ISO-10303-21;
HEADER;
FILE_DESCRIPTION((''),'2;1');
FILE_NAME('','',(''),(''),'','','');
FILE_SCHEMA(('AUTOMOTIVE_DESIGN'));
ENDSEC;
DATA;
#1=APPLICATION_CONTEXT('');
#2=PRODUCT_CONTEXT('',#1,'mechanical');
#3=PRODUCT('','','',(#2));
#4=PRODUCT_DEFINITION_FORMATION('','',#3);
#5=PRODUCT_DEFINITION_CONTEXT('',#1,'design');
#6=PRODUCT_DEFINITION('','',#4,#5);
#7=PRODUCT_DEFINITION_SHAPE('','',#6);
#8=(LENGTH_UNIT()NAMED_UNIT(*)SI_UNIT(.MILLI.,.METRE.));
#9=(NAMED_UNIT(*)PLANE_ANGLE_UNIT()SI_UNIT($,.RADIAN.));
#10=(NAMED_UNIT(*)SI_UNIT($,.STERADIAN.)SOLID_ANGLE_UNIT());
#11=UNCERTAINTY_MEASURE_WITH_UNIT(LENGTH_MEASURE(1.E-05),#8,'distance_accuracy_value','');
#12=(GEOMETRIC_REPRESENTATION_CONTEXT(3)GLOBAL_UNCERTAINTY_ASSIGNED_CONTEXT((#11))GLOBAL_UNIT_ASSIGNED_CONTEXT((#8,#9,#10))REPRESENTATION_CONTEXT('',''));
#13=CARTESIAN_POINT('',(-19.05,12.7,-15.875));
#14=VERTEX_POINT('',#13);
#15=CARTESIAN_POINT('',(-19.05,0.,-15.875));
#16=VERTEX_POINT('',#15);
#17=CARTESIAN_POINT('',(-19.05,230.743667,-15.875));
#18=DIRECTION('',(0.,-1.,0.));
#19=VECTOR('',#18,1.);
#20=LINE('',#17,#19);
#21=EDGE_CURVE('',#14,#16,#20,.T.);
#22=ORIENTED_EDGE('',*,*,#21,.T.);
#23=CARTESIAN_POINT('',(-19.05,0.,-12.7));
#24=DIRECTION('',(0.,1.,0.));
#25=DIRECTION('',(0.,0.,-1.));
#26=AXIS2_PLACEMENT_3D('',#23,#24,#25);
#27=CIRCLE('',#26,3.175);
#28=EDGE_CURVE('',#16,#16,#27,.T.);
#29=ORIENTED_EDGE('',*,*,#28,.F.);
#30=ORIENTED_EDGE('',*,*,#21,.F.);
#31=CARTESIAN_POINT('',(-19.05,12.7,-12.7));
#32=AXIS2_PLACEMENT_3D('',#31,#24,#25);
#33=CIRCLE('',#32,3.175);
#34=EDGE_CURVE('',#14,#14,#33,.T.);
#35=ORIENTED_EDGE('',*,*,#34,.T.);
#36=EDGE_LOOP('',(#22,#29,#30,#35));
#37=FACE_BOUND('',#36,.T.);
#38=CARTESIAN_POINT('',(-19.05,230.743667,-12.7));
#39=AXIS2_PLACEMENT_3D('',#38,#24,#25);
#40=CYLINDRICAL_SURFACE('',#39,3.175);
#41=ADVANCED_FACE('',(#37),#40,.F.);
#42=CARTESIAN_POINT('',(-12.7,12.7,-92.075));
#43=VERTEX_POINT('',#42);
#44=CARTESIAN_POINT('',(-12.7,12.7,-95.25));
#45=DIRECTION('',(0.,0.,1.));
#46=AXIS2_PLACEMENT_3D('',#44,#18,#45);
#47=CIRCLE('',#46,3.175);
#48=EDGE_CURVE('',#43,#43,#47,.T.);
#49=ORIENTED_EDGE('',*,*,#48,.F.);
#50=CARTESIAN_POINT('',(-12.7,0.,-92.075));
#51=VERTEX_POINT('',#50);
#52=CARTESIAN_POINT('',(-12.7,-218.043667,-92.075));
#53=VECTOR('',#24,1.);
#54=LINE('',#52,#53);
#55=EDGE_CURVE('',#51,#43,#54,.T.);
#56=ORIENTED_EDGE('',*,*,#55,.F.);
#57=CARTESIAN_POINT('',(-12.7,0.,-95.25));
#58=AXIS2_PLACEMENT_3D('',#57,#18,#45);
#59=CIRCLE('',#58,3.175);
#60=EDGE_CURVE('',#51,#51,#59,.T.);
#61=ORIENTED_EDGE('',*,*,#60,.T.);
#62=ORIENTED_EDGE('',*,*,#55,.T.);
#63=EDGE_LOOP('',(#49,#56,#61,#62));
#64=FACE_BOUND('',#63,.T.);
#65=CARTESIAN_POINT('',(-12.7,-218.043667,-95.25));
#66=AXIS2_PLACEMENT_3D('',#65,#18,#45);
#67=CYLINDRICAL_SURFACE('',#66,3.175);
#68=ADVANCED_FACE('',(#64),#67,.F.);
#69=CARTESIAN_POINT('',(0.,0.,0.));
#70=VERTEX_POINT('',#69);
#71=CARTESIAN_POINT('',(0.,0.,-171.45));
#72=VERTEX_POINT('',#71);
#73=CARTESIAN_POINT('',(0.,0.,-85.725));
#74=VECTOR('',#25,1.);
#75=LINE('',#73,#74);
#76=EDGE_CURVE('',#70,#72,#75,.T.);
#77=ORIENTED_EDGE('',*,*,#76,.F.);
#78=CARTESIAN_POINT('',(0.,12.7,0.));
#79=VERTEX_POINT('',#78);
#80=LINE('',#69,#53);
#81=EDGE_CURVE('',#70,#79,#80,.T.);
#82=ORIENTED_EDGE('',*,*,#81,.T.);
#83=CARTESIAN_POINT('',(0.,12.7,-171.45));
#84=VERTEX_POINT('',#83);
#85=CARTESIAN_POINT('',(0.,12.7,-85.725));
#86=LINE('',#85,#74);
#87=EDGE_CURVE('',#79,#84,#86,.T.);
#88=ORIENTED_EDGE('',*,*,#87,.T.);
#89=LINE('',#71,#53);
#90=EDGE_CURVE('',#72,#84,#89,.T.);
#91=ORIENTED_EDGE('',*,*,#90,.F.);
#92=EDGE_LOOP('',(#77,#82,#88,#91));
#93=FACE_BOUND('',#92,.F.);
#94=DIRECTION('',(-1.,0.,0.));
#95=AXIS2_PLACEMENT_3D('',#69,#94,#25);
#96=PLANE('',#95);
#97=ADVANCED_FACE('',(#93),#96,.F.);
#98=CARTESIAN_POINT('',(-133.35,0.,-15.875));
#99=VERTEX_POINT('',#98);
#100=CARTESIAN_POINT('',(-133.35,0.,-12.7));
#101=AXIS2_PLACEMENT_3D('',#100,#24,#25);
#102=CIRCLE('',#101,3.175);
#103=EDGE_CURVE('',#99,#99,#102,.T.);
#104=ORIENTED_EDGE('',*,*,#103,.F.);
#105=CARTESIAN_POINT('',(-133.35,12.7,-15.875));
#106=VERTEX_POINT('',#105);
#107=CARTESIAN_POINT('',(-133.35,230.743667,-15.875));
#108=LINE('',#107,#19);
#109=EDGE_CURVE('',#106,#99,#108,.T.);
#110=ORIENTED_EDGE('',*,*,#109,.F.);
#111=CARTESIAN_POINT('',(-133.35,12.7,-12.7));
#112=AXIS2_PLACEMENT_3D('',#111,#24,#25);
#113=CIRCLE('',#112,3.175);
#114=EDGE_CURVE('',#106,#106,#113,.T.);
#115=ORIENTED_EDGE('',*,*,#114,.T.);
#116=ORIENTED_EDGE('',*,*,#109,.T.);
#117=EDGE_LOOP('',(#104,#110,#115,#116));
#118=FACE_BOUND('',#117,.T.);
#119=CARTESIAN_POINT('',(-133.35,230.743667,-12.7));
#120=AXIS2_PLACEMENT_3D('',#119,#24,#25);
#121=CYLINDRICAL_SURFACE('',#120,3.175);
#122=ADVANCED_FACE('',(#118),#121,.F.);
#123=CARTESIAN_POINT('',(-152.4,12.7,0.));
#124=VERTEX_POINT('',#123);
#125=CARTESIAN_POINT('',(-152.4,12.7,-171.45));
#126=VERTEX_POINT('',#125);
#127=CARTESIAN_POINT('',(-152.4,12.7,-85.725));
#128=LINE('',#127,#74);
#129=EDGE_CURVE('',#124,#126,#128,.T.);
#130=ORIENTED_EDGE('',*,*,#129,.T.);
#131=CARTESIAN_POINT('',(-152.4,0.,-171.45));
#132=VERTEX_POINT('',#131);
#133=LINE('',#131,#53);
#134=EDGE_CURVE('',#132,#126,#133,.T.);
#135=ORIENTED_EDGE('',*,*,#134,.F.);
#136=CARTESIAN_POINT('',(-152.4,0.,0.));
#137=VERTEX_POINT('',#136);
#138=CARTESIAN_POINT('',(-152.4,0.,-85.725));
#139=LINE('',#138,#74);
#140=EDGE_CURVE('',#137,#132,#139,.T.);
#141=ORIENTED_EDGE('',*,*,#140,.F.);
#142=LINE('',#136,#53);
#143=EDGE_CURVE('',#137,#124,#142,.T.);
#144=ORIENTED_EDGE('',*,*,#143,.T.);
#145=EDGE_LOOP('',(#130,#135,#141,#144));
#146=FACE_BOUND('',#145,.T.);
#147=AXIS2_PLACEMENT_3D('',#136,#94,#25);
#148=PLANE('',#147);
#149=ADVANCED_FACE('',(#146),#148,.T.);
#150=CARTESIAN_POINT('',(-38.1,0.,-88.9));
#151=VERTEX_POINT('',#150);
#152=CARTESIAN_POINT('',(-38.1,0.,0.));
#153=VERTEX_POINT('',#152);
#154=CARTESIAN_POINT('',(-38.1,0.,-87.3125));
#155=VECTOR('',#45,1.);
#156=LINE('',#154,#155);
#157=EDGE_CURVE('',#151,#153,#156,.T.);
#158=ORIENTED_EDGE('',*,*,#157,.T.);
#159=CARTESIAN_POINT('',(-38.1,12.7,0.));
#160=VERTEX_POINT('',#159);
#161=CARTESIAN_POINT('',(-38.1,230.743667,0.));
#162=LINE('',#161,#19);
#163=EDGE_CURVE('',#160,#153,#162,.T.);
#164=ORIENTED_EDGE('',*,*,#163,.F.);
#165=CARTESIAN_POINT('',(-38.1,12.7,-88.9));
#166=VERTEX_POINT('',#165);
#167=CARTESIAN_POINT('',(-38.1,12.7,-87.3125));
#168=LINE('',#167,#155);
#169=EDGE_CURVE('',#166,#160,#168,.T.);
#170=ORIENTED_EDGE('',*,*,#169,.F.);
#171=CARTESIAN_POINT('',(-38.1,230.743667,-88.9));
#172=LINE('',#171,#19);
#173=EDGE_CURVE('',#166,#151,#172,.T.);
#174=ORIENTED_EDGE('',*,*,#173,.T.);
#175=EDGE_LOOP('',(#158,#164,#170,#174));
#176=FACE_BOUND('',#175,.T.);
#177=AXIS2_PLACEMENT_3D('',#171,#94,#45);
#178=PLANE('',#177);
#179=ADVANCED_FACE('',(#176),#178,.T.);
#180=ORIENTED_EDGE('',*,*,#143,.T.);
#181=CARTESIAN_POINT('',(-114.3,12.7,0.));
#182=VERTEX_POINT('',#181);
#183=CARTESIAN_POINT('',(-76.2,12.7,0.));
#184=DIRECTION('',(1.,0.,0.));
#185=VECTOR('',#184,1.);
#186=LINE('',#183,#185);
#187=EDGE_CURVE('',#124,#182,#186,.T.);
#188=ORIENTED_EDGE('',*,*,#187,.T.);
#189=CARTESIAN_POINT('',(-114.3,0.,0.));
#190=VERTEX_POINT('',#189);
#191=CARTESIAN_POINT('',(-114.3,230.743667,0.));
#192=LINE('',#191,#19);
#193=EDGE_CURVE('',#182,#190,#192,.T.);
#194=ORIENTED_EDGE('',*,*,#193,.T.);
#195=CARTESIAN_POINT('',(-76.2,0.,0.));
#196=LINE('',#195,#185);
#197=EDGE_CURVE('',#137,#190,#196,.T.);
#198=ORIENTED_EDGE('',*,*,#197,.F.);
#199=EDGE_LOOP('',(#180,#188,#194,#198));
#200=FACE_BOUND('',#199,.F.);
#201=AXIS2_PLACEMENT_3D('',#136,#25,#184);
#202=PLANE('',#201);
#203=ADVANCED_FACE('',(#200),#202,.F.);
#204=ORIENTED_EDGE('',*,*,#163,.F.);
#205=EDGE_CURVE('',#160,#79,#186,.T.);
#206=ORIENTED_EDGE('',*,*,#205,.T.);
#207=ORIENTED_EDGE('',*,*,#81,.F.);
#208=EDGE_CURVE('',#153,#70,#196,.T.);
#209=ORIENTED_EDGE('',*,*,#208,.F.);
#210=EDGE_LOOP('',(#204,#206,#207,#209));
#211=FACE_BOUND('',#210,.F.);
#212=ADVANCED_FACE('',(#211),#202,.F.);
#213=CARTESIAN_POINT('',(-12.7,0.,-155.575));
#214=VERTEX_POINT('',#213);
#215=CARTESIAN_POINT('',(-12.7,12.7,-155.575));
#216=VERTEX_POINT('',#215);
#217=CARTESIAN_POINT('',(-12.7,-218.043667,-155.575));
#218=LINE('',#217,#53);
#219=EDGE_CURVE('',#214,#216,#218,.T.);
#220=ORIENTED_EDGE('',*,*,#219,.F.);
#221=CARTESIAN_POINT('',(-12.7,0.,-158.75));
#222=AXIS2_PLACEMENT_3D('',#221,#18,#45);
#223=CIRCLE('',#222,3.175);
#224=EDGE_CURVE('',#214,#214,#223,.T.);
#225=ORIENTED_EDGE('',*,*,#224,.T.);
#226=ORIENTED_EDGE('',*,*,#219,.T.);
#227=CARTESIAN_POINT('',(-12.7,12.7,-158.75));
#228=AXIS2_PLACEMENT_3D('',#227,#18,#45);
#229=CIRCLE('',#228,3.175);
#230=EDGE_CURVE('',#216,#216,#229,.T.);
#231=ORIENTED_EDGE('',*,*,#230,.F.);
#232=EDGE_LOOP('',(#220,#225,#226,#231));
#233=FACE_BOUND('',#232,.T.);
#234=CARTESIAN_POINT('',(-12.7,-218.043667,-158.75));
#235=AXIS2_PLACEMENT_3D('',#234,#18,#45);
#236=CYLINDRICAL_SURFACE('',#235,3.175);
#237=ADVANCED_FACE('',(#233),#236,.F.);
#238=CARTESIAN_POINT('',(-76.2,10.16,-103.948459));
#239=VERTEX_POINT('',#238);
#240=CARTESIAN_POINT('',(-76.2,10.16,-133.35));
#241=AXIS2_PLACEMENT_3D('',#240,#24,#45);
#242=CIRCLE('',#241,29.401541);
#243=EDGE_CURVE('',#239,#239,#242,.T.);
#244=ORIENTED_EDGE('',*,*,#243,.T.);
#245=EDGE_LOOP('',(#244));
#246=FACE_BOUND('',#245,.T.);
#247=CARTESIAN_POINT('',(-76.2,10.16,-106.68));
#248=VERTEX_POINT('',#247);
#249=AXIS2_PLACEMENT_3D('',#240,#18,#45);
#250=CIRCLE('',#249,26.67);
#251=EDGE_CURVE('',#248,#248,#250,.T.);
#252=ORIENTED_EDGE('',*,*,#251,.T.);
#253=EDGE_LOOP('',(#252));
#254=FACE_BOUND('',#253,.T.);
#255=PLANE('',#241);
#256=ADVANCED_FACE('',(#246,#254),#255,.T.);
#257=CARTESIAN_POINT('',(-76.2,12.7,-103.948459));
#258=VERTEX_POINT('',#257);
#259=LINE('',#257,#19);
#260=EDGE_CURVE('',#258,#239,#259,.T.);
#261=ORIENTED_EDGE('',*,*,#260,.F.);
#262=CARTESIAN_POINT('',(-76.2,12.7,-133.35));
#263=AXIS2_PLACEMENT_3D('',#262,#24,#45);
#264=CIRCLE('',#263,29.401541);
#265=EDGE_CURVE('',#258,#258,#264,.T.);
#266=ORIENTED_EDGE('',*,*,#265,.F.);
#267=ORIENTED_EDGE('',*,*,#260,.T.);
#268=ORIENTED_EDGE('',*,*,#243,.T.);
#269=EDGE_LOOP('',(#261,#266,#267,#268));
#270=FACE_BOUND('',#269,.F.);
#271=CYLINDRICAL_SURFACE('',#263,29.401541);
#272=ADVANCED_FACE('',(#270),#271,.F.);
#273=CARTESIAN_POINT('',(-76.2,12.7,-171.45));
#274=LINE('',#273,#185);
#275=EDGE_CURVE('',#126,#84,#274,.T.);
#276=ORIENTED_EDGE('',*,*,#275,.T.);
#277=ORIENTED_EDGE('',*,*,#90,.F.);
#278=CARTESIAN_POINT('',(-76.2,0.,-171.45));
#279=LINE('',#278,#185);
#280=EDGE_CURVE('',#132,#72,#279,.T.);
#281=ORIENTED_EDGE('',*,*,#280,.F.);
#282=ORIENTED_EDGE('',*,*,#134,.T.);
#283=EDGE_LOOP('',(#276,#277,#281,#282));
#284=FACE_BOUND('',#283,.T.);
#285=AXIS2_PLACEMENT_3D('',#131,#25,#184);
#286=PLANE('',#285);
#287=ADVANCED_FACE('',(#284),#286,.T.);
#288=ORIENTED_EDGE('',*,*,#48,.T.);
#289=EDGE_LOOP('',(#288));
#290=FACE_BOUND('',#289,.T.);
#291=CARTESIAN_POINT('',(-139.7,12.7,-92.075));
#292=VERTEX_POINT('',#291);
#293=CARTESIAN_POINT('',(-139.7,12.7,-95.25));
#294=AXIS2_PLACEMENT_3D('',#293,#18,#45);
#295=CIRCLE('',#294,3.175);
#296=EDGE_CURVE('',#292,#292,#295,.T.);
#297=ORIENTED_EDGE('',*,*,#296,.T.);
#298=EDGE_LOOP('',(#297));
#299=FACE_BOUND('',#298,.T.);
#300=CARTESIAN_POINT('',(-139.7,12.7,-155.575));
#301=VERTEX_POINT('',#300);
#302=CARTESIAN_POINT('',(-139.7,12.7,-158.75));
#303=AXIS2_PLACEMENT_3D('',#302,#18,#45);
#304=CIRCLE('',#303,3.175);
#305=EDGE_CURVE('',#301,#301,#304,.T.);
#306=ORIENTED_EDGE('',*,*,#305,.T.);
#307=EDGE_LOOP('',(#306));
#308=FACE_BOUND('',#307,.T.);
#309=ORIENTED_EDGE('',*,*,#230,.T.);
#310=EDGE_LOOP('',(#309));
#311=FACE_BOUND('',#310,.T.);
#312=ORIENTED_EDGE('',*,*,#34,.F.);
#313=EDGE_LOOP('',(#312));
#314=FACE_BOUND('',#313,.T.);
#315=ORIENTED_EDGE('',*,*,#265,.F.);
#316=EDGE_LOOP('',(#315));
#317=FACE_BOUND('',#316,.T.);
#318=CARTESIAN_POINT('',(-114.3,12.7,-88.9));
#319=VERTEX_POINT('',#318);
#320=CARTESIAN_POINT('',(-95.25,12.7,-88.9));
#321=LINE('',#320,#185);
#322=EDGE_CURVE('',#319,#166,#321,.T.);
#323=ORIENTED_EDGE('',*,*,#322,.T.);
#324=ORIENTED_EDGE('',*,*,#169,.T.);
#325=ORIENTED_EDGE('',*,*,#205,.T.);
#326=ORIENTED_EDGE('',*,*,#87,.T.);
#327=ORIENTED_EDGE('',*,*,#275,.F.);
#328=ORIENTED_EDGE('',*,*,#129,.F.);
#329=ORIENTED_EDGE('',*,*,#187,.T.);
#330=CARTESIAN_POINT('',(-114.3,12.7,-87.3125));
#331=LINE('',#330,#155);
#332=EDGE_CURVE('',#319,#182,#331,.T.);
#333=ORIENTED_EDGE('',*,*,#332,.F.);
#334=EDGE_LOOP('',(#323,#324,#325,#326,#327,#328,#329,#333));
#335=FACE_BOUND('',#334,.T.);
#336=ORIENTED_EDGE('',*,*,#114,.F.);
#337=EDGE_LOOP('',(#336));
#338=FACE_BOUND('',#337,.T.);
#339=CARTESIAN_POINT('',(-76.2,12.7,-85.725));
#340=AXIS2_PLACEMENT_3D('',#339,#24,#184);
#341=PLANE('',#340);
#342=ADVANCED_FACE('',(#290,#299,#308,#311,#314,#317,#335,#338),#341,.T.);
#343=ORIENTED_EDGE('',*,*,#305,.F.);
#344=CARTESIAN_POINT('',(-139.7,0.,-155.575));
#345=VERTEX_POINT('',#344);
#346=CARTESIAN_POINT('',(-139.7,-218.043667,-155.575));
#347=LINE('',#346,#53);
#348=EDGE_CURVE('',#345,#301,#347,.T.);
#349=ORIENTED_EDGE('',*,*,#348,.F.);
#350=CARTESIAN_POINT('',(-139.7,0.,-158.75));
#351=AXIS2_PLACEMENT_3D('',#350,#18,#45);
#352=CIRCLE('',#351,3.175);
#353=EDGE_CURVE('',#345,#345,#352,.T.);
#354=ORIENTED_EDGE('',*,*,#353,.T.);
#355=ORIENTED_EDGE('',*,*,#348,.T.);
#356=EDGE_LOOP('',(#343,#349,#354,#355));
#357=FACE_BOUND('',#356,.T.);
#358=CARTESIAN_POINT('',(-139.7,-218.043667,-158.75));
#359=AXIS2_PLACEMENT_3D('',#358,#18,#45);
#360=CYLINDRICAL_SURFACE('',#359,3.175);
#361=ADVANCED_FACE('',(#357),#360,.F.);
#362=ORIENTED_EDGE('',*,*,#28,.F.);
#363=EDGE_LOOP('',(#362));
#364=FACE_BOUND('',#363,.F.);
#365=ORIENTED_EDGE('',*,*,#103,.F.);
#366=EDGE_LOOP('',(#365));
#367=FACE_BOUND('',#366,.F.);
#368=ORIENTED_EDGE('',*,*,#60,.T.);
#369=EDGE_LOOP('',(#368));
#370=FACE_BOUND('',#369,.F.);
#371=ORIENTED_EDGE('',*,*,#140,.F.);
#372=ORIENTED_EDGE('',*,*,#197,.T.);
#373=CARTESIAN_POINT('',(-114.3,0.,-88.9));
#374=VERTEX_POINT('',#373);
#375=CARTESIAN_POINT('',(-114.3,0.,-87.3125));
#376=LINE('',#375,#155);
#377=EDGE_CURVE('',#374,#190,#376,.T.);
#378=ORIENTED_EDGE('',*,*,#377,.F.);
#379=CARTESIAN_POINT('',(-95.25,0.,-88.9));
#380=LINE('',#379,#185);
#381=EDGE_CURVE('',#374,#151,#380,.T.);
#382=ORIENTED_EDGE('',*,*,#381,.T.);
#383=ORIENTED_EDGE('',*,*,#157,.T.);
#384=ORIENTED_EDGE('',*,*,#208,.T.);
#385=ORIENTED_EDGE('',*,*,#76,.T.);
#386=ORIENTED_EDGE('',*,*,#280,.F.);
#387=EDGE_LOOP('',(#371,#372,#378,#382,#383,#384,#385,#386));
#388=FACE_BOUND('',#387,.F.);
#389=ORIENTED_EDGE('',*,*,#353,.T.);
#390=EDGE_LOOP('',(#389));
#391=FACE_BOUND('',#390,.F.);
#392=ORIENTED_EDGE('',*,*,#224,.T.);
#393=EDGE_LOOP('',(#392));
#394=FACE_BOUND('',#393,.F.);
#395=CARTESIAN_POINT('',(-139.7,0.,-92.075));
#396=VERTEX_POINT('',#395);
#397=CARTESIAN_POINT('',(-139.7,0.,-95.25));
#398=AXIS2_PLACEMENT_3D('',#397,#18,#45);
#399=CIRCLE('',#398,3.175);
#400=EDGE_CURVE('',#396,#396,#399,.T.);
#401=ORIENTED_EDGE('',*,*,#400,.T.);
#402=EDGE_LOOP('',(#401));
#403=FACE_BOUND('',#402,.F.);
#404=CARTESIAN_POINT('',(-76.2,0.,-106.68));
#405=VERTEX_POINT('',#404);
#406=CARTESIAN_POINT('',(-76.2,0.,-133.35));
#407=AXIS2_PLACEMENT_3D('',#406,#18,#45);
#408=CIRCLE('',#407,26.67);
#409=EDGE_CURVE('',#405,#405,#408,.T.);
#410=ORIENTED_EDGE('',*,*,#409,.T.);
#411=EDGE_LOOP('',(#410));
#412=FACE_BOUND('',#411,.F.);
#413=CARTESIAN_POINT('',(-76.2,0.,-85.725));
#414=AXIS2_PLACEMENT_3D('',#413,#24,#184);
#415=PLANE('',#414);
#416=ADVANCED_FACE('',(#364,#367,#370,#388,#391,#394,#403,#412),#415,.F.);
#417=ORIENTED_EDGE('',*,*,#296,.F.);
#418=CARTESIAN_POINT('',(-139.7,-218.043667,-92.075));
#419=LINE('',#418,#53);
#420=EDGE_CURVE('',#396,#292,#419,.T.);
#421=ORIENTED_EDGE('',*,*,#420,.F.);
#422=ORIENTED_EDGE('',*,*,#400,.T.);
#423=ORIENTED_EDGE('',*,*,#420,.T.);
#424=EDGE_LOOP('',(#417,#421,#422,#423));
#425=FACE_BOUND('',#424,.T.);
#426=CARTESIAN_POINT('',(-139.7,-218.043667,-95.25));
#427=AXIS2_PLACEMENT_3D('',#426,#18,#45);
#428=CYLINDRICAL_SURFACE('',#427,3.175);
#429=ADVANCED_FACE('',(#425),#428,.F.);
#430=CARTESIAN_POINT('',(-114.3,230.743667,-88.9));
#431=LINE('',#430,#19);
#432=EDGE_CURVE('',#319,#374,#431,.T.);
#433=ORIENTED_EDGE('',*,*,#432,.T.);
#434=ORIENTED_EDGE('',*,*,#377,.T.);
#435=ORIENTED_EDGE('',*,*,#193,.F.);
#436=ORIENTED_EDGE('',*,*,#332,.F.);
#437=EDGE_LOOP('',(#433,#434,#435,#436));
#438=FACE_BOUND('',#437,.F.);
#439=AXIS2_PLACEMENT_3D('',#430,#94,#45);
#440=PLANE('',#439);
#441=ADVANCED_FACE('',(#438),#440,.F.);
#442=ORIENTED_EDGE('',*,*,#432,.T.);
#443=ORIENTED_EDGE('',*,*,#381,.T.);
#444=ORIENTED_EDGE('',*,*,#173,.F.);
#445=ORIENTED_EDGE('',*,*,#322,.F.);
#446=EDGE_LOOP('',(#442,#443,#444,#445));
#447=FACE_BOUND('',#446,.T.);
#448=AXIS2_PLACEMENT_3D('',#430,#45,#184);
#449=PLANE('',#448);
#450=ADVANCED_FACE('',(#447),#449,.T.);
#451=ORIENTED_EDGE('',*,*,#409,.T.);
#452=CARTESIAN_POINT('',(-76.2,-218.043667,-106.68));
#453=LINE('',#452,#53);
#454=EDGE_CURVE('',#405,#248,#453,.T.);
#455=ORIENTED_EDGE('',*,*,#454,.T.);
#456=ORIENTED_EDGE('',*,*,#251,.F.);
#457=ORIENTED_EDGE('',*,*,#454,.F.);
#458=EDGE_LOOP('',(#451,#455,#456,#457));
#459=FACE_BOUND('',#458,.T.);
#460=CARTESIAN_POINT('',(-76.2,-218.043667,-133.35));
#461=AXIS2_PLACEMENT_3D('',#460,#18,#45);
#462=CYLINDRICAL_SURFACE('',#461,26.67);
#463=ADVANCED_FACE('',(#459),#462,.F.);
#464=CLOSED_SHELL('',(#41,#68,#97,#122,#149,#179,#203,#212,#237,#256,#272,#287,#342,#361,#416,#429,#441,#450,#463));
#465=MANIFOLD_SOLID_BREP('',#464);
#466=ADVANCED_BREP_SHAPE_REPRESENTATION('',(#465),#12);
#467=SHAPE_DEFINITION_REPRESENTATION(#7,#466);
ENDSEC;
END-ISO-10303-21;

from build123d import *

# Parameters (mm, degrees)
SKETCH1_W               = 152.4
SKETCH1_H               = 171.45
BOSS_EXTRUDE1_DEPTH     = 12.7
CUT_EXTRUDE1_DEPTH      = 230.743666942
CUT_EXTRUDE1_DEPTH_BACK = 230.743666942
SKETCH2_R               = 26.67
CUT_EXTRUDE2_DEPTH      = 230.743666942
CUT_EXTRUDE2_DEPTH_BACK = 230.743666942
SKETCH3_R               = 3.175
SKETCH4_R               = 29.401540703
CUT_EXTRUDE3_DEPTH      = 2.54
CUT_EXTRUDE4_DEPTH      = 230.743666942
CUT_EXTRUDE4_DEPTH_BACK = 230.743666942
SKETCH5_W               = 76.2
SKETCH5_H               = 88.9
CUT_EXTRUDE5_DEPTH      = 230.743666942
CUT_EXTRUDE5_DEPTH_BACK = 230.743666942
SKETCH7_R               = 3.175


with BuildPart() as part:
    # Sketch1 → Boss-Extrude1 (new body)
    with BuildSketch(Plane(origin=(0, 0, 0), x_dir=(1, 0, 0), z_dir=(0, 1, 0))):
        with Locations((-76.2, 85.725)):
            Rectangle(SKETCH1_W, SKETCH1_H)
    extrude(amount=BOSS_EXTRUDE1_DEPTH)

    # Sketch2 → Cut-Extrude1 (cut, two sides: drawn at the far end of the back side and taken through both)
    with BuildSketch(Plane(origin=(0, 12.7, 0), x_dir=(1, 0, 0), z_dir=(0, 1, 0)).offset(-CUT_EXTRUDE1_DEPTH_BACK)):
        with Locations(Location((-76.2, 133.35, 0), (0, 0, 270))):
            Circle(SKETCH2_R)
    extrude(amount=CUT_EXTRUDE1_DEPTH + CUT_EXTRUDE1_DEPTH_BACK, mode=Mode.SUBTRACT)

    # Sketch3 → Cut-Extrude2 (cut, two sides: drawn at the far end of the back side and taken through both)
    with BuildSketch(Plane(origin=(0, 12.7, 0), x_dir=(1, 0, 0), z_dir=(0, 1, 0)).offset(-CUT_EXTRUDE2_DEPTH_BACK)):
        with Locations(Location((-139.7, 158.75, 0), (0, 0, 270))):
            Circle(SKETCH3_R)
        with Locations(Location((-12.7, 158.75, 0), (0, 0, 270))):
            Circle(SKETCH3_R)
        with Locations(Location((-12.7, 95.25, 0), (0, 0, 270))):
            Circle(SKETCH3_R)
        with Locations(Location((-139.7, 95.25, 0), (0, 0, 270))):
            Circle(SKETCH3_R)
    extrude(amount=CUT_EXTRUDE2_DEPTH + CUT_EXTRUDE2_DEPTH_BACK, mode=Mode.SUBTRACT)

    # Sketch4 → Cut-Extrude3 (cut)
    with BuildSketch(Plane(origin=(0, 12.7, 0), x_dir=(1, 0, 0), z_dir=(0, 1, 0))):
        with Locations(Location((-76.2, 133.35, 0), (0, 0, 270))):
            Circle(SKETCH4_R)
    extrude(amount=-CUT_EXTRUDE3_DEPTH, mode=Mode.SUBTRACT)

    # Sketch5 → Cut-Extrude4 (cut, two sides: drawn at the far end of the back side and taken through both)
    with BuildSketch(Plane.XZ.offset(-CUT_EXTRUDE4_DEPTH_BACK)):
        with Locations((-76.2, -44.45)):
            Rectangle(SKETCH5_W, SKETCH5_H)
    extrude(amount=CUT_EXTRUDE4_DEPTH + CUT_EXTRUDE4_DEPTH_BACK, mode=Mode.SUBTRACT)

    # Sketch7 → Cut-Extrude5 (cut, two sides: drawn at the far end of the back side and taken through both)
    with BuildSketch(Plane.XZ.offset(-CUT_EXTRUDE5_DEPTH_BACK)):
        with Locations(Location((-19.05, -12.7, 0), (0, 0, 270))):
            Circle(SKETCH7_R)
        with Locations(Location((-133.35, -12.7, 0), (0, 0, 270))):
            Circle(SKETCH7_R)
    extrude(amount=CUT_EXTRUDE5_DEPTH + CUT_EXTRUDE5_DEPTH_BACK, mode=Mode.SUBTRACT)


solid = part.part
